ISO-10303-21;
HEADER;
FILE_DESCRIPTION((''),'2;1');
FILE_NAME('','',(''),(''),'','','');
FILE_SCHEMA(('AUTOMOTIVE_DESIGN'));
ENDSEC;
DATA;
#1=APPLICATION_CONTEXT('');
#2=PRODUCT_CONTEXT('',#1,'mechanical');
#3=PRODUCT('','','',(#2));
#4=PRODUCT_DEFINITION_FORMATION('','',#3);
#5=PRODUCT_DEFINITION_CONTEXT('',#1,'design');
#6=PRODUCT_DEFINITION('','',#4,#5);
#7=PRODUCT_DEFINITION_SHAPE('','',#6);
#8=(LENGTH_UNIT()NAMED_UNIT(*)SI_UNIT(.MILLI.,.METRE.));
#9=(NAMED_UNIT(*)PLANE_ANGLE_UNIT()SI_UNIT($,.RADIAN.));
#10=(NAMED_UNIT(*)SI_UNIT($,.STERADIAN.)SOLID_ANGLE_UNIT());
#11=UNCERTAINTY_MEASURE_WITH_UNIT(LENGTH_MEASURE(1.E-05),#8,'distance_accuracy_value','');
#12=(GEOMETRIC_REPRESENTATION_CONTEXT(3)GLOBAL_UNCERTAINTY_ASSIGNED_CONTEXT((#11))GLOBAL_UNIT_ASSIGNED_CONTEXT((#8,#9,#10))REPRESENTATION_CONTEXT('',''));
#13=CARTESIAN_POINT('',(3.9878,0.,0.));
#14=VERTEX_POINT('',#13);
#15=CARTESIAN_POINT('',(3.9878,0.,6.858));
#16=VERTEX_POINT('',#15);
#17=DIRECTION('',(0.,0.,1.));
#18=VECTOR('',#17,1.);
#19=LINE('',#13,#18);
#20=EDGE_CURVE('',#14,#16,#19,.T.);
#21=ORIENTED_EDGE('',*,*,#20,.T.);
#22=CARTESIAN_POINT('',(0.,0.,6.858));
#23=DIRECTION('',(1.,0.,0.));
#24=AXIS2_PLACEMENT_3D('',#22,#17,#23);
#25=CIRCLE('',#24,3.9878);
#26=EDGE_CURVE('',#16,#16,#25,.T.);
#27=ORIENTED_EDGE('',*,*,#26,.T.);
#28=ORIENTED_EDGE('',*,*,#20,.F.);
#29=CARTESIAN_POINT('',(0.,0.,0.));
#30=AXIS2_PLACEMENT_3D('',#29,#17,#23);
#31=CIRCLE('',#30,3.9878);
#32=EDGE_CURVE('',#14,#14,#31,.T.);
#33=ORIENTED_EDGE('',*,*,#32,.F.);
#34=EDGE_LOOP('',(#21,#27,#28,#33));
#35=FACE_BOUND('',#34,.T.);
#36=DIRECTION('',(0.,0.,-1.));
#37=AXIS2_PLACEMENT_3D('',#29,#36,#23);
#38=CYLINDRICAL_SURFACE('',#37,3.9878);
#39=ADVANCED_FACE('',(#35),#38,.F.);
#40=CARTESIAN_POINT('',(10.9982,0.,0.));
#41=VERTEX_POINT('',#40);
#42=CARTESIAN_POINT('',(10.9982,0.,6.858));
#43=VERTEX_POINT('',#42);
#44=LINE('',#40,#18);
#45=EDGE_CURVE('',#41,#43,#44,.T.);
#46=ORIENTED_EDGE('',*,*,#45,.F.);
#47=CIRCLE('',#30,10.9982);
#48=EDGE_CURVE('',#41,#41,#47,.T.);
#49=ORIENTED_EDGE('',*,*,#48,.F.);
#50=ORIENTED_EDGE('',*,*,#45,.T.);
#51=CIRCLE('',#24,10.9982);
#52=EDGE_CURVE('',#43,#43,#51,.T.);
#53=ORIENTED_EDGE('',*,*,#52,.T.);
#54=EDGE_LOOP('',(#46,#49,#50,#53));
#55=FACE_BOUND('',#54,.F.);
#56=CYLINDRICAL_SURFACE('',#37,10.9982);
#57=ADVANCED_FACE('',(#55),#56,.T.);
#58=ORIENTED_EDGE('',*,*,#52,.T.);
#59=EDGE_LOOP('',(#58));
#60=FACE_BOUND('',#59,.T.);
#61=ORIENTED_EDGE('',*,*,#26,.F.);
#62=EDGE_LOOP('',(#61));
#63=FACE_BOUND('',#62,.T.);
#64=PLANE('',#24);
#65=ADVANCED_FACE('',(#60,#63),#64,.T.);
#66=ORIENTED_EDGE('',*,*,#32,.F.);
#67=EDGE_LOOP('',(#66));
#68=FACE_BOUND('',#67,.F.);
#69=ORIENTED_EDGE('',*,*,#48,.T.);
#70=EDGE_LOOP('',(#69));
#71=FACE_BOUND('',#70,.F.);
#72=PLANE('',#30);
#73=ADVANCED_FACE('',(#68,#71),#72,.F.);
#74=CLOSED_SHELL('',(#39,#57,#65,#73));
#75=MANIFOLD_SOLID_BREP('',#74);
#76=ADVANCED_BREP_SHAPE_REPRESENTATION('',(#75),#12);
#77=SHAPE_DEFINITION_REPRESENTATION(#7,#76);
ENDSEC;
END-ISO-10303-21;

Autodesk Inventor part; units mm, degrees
ref_plane "YZ Plane" through (0, 0, 0) normal (1, 0, 0) x (0, 1, 0)
ref_plane "XZ Plane" through (0, 0, 0) normal (0, 1, 0) x (-1, 0, 0)
ref_plane "XY Plane" through (0, 0, 0) normal (0, 0, 1) x (1, 0, 0)
sketch "Sketch1" plane through (0, 0, 0) normal (0, 0, 1) x (1, 0, 0)
  circle A0 centre (0, 0) radius 3.9878
  circle A1 centre (0, 0) radius 10.9982
  dimension "d0" = 7.9756
  dimension "d1" = 21.9964
extrude "Extrusion1" add sketch "Sketch1" along normal blind 6.858
properties part number "Connecting Rod Bearing"
